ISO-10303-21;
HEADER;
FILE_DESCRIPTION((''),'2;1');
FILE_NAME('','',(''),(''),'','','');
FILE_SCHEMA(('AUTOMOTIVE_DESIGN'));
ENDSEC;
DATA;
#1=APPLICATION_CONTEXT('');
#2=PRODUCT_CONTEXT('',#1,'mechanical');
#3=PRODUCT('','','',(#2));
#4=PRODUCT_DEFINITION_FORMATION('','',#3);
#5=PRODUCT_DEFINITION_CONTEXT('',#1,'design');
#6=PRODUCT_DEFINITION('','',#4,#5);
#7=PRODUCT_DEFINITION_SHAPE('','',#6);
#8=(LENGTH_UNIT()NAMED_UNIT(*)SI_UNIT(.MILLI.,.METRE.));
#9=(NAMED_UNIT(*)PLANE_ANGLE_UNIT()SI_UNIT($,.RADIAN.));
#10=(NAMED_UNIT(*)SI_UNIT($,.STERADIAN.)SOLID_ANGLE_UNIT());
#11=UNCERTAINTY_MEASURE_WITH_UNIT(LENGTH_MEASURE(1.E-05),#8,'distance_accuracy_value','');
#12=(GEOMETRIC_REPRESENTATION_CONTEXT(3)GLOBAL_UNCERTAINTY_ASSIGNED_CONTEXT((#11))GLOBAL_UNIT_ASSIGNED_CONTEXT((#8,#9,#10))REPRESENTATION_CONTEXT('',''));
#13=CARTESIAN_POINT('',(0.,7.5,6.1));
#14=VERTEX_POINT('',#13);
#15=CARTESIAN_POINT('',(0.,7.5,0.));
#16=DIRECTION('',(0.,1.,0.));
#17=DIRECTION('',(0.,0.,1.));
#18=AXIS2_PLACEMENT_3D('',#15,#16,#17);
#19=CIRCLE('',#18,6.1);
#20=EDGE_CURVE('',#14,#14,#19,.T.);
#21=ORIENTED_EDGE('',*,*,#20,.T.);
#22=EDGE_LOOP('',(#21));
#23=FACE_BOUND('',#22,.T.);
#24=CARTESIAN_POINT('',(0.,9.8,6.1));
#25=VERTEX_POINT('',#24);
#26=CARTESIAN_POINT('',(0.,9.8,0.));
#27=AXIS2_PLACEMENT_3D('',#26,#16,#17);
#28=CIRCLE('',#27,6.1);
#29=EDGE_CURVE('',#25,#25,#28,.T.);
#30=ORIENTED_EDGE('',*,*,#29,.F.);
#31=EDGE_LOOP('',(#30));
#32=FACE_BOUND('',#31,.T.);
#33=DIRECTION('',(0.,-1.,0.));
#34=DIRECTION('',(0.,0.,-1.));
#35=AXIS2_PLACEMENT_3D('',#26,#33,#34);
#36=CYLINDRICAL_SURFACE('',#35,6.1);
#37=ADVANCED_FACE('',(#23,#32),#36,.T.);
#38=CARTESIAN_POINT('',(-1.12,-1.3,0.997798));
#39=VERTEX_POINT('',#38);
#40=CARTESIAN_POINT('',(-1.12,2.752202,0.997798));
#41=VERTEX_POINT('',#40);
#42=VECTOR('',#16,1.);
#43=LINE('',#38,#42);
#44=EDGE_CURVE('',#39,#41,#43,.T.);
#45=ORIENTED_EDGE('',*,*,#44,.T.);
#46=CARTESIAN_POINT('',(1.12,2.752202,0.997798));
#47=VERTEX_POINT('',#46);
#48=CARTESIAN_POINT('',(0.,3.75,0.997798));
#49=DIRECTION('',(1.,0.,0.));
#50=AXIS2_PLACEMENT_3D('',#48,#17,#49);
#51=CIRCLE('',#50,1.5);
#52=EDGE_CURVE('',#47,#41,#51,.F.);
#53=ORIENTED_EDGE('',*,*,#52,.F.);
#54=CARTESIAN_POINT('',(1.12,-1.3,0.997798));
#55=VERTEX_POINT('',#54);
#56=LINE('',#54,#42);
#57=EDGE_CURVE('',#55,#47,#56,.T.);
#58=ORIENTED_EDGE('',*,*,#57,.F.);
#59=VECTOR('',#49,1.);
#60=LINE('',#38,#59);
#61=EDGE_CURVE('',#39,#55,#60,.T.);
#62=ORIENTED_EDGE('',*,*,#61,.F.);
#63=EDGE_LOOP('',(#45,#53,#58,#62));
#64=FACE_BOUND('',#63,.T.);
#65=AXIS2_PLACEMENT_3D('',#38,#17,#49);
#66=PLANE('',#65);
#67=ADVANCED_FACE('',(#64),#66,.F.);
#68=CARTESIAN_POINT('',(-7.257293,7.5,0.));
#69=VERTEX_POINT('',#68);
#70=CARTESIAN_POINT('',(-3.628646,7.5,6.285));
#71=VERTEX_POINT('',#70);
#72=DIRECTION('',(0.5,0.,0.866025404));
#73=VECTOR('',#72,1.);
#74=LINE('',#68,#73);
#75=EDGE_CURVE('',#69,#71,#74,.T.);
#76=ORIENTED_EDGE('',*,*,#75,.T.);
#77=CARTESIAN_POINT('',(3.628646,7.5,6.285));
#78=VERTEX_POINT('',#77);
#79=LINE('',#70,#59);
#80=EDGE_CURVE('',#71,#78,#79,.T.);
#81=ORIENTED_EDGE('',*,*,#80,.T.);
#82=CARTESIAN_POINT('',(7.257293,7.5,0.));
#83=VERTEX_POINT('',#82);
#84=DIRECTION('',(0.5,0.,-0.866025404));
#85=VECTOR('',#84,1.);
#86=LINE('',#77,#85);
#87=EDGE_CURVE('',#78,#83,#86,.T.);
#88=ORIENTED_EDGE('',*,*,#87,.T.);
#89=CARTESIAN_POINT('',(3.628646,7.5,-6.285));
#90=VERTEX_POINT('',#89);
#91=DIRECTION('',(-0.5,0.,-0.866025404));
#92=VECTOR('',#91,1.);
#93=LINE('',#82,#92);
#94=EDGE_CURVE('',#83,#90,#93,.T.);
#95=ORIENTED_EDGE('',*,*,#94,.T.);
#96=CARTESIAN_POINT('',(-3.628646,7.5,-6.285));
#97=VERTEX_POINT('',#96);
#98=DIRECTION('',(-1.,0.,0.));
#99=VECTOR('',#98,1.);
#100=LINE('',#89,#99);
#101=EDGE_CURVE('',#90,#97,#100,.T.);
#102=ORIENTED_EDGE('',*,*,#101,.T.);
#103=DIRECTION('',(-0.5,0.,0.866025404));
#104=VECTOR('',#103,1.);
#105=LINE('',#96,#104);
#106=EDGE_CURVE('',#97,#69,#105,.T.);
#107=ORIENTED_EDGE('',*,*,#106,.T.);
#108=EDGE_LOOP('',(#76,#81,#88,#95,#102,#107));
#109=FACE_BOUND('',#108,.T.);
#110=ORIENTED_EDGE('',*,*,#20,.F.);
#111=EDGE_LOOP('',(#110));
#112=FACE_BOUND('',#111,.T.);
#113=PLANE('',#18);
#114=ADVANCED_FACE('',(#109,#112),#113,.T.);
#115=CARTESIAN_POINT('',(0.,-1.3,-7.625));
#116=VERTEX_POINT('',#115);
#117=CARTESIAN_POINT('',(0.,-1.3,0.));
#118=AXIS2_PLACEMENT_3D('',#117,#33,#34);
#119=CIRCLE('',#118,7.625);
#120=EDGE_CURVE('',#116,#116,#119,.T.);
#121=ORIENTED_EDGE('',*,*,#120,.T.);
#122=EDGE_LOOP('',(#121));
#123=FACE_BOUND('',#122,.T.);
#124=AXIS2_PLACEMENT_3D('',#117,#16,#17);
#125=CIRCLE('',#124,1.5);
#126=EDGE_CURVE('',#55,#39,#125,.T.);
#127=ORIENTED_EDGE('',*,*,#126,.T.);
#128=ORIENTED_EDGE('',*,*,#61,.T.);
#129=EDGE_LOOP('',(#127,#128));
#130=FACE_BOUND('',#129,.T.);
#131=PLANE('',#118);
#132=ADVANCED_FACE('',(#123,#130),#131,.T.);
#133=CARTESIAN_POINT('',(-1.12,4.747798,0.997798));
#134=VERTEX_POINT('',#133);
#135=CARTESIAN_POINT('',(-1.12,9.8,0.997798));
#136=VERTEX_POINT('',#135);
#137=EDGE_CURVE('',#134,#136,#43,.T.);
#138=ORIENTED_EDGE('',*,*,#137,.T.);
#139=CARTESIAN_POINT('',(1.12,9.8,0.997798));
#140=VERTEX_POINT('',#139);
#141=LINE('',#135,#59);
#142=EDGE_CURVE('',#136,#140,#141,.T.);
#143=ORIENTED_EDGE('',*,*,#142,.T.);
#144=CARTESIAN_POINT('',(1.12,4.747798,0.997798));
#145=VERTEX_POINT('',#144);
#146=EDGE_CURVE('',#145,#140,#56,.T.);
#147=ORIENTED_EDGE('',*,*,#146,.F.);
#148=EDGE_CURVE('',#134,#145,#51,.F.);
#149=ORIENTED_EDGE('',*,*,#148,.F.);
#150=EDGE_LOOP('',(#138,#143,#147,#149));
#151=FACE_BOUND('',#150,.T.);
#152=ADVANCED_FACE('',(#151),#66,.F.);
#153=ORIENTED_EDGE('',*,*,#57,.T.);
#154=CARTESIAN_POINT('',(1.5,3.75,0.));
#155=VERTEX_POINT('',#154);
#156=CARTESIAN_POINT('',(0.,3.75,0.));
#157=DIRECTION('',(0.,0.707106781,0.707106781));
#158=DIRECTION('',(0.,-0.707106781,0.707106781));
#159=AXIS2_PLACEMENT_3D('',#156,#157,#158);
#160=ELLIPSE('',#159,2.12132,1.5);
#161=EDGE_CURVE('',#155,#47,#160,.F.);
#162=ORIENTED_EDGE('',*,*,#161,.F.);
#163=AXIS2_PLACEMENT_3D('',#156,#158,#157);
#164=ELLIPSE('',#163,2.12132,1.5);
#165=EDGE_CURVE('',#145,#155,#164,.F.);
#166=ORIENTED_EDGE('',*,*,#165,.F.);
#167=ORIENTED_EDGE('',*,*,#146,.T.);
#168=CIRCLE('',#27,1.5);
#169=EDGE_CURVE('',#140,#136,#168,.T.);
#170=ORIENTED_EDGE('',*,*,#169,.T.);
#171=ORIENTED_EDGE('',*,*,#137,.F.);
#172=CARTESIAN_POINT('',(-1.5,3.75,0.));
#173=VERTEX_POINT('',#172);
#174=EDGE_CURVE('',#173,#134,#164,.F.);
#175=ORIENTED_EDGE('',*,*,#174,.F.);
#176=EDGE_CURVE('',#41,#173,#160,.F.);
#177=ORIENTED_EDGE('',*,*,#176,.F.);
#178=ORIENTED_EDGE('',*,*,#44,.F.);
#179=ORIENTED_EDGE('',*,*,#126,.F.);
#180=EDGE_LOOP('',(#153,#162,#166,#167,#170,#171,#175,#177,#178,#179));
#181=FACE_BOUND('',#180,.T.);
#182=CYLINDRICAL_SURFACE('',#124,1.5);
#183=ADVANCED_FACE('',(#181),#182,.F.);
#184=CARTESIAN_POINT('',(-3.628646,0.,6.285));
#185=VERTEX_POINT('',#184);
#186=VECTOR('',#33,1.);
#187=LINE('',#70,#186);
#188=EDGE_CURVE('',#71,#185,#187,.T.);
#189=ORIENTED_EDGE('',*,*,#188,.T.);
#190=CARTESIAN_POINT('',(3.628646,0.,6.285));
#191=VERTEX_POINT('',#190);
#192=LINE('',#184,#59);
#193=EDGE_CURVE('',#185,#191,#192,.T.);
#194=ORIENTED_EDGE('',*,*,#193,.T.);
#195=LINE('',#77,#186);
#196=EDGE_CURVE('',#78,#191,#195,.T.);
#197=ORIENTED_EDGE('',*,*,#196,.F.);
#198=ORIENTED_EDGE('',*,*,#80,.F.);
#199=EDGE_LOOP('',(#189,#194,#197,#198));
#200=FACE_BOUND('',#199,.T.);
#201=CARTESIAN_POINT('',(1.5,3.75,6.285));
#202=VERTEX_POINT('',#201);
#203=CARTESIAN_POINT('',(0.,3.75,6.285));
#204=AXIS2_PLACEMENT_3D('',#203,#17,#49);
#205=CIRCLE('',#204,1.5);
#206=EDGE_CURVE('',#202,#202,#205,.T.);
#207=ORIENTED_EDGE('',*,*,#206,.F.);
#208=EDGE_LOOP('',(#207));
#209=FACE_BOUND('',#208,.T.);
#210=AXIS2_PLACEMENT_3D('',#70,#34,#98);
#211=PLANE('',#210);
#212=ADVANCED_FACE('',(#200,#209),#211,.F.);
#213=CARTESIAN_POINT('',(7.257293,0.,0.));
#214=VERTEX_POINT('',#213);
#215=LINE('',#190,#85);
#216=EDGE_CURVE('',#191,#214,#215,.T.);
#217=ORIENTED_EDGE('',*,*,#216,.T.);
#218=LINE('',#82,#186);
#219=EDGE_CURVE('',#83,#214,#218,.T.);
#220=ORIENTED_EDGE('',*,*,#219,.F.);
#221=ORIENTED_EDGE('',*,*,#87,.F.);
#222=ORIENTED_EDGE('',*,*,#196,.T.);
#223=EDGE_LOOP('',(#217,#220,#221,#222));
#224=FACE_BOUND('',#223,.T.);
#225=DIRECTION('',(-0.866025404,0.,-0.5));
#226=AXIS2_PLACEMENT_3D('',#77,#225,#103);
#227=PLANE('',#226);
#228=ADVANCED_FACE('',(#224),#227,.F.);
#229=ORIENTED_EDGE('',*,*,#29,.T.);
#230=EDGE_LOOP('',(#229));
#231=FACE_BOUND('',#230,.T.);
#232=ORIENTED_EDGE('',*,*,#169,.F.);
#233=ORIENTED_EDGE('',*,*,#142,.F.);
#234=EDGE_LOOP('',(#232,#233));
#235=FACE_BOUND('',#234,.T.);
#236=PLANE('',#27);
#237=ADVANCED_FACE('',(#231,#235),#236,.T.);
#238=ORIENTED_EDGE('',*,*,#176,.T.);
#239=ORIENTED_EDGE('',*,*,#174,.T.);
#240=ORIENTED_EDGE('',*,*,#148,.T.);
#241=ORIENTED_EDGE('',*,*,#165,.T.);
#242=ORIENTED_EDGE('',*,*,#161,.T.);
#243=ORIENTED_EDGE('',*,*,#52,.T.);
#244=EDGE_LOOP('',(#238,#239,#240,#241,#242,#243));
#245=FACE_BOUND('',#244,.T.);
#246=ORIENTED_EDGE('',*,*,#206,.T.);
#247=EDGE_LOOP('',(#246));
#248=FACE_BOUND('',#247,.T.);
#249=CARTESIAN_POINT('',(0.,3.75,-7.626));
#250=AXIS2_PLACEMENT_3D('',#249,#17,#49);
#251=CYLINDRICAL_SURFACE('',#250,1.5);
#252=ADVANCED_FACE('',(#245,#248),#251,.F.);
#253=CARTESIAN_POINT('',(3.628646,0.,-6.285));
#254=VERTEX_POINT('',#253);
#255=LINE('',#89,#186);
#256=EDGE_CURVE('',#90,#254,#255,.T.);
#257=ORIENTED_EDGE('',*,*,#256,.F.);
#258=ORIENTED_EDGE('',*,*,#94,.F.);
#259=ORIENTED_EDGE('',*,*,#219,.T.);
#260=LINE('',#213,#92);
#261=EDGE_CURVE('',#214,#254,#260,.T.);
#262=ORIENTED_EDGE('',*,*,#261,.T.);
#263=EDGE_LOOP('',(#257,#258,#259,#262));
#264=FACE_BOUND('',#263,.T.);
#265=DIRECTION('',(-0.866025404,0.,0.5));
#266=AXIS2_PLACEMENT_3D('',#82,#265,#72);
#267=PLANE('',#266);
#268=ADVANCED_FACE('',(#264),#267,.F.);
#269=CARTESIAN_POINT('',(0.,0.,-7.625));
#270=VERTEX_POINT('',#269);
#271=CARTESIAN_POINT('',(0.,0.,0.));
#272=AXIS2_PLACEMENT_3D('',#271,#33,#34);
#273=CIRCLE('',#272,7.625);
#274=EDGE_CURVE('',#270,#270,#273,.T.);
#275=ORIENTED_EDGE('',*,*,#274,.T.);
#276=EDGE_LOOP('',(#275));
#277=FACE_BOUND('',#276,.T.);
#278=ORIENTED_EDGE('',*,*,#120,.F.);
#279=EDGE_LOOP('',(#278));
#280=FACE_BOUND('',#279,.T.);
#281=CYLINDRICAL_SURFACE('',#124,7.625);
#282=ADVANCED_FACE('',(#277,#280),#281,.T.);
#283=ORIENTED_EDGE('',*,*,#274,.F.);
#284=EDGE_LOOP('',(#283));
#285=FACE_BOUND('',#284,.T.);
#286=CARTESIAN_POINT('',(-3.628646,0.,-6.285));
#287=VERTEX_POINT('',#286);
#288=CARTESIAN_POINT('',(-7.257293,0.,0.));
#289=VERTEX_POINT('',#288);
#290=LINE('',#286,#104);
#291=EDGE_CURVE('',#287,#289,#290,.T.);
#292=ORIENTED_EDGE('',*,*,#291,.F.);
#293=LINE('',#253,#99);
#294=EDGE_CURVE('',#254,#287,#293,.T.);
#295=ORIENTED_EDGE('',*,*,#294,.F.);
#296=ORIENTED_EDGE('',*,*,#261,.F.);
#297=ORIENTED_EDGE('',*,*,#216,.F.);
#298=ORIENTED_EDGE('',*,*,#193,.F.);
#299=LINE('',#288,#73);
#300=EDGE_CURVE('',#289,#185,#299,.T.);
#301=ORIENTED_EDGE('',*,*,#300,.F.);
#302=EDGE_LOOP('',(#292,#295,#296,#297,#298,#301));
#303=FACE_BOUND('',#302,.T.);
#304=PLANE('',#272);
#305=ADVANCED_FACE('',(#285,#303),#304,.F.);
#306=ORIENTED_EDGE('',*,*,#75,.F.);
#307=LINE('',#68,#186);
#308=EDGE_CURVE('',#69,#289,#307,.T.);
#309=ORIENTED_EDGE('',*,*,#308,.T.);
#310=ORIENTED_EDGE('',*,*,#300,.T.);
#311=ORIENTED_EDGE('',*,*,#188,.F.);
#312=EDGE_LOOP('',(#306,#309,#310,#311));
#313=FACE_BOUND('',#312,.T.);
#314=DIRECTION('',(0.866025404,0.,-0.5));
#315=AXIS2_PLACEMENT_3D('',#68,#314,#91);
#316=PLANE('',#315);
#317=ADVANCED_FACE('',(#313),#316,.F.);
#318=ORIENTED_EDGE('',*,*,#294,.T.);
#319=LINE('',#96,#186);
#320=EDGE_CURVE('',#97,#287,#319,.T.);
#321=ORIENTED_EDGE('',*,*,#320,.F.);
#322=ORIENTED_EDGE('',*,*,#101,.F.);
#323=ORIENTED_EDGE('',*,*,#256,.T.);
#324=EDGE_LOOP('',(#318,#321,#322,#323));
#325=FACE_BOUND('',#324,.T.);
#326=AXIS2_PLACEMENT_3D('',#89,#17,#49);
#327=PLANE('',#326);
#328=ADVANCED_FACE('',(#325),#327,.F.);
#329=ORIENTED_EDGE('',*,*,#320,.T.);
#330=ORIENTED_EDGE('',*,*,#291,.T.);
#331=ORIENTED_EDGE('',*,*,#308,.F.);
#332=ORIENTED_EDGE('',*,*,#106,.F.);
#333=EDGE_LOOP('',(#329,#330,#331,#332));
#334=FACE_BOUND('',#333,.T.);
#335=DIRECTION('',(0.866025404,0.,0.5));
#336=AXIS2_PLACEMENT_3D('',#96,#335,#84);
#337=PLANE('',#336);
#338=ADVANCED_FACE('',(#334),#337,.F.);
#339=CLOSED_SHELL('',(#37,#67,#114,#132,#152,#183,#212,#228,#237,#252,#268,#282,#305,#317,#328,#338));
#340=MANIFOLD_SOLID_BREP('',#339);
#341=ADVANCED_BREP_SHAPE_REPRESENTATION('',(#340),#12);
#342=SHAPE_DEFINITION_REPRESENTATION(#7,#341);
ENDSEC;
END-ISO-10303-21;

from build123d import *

# Parameters (mm, degrees)
BOSS_EXTRUDE1_DEPTH = 7.5
SKETCH2_R           = 6.1
BOSS_EXTRUDE2_DEPTH = 2.3
SKETCH3_R           = 7.625
BOSS_EXTRUDE3_DEPTH = 1.3
CUT_EXTRUDE1_DEPTH  = 12.1
CUT_EXTRUDE2_REACH  = 15.91
SKETCH5_R           = 1.5


with BuildPart() as part:
    # Sketch1 → Boss-Extrude1 (new body)
    with BuildSketch(Plane(origin=(0, 0, 0), x_dir=(1, 0, 0), z_dir=(0, 1, 0))):
        Polygon((7.257292884, 0), (3.628646442, 6.285), (-3.628646442, 6.285), (-7.257292884, 0), (-3.628646442, -6.285), (3.628646442, -6.285), align=None)
    extrude(amount=BOSS_EXTRUDE1_DEPTH)

    # Sketch2 → Boss-Extrude2 (add)
    with BuildSketch(Plane(origin=(0, 7.5, 0), x_dir=(1, 0, 0), z_dir=(0, 1, 0))):
        Circle(SKETCH2_R)
    extrude(amount=BOSS_EXTRUDE2_DEPTH)

    # Sketch3 → Boss-Extrude3 (add)
    with BuildSketch(Plane.XZ):
        Circle(SKETCH3_R)
    extrude(amount=BOSS_EXTRUDE3_DEPTH)

    # Sketch4 → Cut-Extrude1 (cut, through all)
    with BuildSketch(Plane(origin=(0, 9.8, 0), x_dir=(1, 0, 0), z_dir=(0, 1, 0))):
        with BuildLine():
            Line((-1.12, -0.997797575), (1.12, -0.997797575))
            ThreePointArc((1.12, -0.997797575), (0, 1.5), (-1.12, -0.997797575))
        make_face()
    extrude(amount=-CUT_EXTRUDE1_DEPTH, mode=Mode.SUBTRACT)

    # Sketch5 → Cut-Extrude2 (cut, up to next)
    with BuildSketch(Plane.XY.offset(6.285), mode=Mode.PRIVATE) as cut_extrude2_sk1:
        with Locations((0, 3.75)):
            Circle(SKETCH5_R)
    cut_extrude2_tool1 = extrude(cut_extrude2_sk1.sketch, amount=-CUT_EXTRUDE2_REACH, mode=Mode.PRIVATE) & part.part
    add(cut_extrude2_tool1.solids().sort_by_distance((0, 3.75, 6.285))[0], mode=Mode.SUBTRACT)


solid = part.part
